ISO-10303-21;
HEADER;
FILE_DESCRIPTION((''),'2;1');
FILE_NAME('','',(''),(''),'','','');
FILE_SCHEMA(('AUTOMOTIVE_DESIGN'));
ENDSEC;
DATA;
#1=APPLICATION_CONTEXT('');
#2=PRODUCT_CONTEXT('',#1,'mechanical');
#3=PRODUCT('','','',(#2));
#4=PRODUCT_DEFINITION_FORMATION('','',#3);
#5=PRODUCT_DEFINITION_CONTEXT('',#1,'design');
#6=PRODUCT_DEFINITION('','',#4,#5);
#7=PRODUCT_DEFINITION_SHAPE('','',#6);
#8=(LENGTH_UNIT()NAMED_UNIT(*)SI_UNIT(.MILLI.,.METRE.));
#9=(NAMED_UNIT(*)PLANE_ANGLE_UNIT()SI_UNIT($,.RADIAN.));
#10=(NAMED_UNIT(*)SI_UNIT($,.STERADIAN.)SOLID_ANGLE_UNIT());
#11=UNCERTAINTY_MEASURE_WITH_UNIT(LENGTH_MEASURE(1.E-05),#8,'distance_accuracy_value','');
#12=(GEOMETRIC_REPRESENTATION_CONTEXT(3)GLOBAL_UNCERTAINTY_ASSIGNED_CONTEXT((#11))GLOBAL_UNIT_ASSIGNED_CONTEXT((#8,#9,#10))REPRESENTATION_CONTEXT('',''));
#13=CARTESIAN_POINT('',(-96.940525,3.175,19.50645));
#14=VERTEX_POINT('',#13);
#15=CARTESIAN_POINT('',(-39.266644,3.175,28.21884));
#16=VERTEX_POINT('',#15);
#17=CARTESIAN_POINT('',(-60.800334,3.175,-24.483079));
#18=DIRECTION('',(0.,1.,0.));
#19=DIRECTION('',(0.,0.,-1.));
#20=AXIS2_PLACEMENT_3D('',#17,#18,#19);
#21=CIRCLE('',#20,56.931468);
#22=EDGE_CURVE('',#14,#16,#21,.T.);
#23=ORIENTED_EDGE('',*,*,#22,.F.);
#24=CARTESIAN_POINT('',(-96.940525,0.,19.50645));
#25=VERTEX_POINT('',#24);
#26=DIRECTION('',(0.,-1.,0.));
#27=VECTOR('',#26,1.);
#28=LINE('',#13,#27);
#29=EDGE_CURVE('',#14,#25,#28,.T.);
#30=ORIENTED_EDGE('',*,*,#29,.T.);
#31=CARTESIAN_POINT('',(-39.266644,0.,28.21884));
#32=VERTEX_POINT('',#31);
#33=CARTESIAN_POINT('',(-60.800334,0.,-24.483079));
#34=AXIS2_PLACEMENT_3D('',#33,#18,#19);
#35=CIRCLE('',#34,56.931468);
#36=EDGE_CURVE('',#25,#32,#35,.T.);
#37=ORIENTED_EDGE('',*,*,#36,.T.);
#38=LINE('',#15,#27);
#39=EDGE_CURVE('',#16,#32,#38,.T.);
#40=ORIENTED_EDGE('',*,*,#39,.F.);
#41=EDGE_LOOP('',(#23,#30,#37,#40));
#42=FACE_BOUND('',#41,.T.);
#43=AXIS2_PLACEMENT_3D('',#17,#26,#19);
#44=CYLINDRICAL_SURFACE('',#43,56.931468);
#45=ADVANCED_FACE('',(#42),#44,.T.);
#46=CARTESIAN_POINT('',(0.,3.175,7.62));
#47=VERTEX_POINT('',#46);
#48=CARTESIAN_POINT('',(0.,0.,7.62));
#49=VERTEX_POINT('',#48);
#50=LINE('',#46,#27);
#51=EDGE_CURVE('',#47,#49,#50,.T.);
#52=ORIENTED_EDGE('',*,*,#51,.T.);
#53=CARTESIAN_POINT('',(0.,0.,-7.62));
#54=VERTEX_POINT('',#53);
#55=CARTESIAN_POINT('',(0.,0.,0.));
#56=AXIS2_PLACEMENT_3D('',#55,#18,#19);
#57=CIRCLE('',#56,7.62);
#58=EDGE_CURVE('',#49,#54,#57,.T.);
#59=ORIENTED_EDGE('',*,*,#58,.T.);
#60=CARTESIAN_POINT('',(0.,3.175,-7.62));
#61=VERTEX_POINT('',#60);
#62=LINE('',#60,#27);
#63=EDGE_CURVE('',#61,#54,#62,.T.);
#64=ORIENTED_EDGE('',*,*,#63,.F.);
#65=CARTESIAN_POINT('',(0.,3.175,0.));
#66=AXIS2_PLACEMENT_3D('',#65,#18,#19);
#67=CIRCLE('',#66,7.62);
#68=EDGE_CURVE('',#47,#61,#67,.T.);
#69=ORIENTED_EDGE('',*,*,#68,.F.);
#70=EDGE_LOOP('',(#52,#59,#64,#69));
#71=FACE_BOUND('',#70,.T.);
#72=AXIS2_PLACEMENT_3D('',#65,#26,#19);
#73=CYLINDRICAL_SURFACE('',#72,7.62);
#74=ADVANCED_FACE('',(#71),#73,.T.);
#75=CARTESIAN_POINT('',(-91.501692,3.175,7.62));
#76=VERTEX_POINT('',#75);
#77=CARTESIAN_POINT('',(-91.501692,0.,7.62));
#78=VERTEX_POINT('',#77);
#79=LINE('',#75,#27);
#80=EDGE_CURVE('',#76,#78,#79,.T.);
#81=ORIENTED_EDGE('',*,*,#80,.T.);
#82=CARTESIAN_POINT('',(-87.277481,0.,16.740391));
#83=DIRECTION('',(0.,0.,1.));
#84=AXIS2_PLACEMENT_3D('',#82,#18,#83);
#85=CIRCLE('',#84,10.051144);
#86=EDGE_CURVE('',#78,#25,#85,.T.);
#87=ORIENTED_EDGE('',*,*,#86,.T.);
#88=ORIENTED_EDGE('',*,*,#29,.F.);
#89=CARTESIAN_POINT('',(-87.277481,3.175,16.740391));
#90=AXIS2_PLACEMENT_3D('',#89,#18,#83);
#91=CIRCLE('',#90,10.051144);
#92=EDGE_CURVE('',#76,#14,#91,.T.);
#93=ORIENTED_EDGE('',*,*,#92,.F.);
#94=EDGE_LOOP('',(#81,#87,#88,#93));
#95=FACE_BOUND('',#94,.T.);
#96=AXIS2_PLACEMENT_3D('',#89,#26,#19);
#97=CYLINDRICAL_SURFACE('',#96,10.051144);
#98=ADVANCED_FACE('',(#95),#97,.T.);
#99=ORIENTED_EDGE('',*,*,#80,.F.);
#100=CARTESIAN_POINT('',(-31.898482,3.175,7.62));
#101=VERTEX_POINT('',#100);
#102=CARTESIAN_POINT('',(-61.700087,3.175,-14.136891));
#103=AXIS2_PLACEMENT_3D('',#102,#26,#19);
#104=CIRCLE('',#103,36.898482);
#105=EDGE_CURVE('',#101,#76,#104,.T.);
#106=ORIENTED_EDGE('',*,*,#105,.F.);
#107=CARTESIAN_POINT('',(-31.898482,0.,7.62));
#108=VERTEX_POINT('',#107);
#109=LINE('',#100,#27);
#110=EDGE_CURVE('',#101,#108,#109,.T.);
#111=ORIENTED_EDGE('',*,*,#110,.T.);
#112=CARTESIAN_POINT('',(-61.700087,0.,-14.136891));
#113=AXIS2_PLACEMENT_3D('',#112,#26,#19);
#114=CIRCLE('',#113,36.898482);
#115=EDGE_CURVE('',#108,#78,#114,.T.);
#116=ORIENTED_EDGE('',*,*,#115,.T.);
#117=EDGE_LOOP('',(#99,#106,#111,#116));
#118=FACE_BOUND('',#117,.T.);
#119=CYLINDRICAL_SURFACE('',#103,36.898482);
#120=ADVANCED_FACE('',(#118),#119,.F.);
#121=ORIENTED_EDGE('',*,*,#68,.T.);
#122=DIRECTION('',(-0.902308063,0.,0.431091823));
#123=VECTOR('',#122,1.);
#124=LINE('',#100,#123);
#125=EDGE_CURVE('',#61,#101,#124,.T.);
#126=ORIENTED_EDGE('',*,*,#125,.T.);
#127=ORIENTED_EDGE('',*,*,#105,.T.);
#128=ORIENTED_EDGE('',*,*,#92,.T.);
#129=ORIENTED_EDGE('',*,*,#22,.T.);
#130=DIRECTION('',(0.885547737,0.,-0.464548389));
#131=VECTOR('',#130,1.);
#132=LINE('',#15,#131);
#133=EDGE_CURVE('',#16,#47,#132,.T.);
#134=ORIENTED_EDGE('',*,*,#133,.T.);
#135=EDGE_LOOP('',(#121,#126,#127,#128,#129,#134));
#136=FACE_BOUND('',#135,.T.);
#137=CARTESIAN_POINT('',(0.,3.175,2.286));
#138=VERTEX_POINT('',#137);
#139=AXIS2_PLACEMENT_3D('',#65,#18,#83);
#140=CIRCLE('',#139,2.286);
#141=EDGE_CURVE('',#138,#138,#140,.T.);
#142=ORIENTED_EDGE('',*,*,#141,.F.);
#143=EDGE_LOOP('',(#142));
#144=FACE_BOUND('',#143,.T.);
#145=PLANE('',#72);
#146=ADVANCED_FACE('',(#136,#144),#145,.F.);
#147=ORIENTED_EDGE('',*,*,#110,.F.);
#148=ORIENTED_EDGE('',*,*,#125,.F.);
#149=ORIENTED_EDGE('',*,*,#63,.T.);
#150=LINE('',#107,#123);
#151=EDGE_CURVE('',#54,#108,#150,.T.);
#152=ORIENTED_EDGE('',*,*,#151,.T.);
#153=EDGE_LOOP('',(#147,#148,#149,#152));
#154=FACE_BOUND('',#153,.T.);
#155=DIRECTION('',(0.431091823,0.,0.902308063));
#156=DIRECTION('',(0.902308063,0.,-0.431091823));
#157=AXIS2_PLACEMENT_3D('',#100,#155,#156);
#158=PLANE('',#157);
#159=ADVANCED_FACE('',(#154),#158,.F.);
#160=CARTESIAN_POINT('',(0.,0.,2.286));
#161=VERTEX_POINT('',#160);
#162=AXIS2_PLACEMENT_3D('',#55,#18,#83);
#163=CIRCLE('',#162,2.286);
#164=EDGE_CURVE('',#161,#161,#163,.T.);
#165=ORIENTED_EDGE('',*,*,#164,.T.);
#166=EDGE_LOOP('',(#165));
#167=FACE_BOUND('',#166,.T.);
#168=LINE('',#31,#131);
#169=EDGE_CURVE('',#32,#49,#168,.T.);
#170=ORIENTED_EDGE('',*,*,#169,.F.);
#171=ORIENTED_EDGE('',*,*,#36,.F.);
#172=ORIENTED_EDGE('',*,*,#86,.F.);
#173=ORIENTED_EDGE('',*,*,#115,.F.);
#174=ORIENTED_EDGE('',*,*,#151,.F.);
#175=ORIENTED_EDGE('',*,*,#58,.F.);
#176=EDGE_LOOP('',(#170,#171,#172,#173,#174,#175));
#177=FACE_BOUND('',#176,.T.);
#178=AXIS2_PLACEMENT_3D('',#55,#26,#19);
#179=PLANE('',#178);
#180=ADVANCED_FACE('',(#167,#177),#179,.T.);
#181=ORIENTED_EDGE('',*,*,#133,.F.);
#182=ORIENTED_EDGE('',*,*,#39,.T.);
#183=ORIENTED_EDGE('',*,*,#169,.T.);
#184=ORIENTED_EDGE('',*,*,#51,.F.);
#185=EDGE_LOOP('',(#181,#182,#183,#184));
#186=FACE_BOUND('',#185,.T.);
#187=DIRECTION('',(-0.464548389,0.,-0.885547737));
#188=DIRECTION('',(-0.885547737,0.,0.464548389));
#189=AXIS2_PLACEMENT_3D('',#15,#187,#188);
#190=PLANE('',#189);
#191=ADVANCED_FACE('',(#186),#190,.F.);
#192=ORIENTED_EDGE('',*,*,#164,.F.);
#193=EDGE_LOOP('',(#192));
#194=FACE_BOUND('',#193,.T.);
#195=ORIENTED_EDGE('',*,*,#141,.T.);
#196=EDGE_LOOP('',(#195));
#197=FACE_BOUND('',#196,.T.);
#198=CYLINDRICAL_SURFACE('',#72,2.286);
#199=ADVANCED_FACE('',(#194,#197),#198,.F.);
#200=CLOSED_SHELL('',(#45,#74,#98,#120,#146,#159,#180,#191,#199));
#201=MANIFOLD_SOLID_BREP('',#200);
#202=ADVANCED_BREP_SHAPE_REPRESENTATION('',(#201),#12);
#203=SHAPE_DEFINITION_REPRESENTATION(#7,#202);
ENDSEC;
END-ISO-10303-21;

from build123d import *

# Parameters (mm, degrees)
SKETCH1_R           = 2.286
BOSS_EXTRUDE1_DEPTH = 3.175


with BuildPart() as part:
    # Sketch1 → Boss-Extrude1 (new body)
    with BuildSketch(Plane(origin=(0, 0, 0), x_dir=(1, 0, 0), z_dir=(0, 1, 0))):
        with BuildLine():
            Line((-31.898482314, -7.62), (0, 7.62))
            ThreePointArc((0, 7.62), (7.62, 0), (0, -7.62))
            Line((0, -7.62), (-39.266643524, -28.218839839))
            ThreePointArc((-39.266643524, -28.218839839), (-69.304091982, -31.809710463), (-96.940525037, -19.506449524))
            ThreePointArc((-96.940525037, -19.506449524), (-96.41727765, -12.558332827), (-91.501691991, -7.62))
            ThreePointArc((-91.501691991, -7.62), (-61.700087152, -22.761590746), (-31.898482314, -7.62))
        make_face()
        with Locations(Location((0, 0, 0), (0, 0, 270))):
            Circle(SKETCH1_R, mode=Mode.SUBTRACT)
    extrude(amount=BOSS_EXTRUDE1_DEPTH)


solid = part.part
